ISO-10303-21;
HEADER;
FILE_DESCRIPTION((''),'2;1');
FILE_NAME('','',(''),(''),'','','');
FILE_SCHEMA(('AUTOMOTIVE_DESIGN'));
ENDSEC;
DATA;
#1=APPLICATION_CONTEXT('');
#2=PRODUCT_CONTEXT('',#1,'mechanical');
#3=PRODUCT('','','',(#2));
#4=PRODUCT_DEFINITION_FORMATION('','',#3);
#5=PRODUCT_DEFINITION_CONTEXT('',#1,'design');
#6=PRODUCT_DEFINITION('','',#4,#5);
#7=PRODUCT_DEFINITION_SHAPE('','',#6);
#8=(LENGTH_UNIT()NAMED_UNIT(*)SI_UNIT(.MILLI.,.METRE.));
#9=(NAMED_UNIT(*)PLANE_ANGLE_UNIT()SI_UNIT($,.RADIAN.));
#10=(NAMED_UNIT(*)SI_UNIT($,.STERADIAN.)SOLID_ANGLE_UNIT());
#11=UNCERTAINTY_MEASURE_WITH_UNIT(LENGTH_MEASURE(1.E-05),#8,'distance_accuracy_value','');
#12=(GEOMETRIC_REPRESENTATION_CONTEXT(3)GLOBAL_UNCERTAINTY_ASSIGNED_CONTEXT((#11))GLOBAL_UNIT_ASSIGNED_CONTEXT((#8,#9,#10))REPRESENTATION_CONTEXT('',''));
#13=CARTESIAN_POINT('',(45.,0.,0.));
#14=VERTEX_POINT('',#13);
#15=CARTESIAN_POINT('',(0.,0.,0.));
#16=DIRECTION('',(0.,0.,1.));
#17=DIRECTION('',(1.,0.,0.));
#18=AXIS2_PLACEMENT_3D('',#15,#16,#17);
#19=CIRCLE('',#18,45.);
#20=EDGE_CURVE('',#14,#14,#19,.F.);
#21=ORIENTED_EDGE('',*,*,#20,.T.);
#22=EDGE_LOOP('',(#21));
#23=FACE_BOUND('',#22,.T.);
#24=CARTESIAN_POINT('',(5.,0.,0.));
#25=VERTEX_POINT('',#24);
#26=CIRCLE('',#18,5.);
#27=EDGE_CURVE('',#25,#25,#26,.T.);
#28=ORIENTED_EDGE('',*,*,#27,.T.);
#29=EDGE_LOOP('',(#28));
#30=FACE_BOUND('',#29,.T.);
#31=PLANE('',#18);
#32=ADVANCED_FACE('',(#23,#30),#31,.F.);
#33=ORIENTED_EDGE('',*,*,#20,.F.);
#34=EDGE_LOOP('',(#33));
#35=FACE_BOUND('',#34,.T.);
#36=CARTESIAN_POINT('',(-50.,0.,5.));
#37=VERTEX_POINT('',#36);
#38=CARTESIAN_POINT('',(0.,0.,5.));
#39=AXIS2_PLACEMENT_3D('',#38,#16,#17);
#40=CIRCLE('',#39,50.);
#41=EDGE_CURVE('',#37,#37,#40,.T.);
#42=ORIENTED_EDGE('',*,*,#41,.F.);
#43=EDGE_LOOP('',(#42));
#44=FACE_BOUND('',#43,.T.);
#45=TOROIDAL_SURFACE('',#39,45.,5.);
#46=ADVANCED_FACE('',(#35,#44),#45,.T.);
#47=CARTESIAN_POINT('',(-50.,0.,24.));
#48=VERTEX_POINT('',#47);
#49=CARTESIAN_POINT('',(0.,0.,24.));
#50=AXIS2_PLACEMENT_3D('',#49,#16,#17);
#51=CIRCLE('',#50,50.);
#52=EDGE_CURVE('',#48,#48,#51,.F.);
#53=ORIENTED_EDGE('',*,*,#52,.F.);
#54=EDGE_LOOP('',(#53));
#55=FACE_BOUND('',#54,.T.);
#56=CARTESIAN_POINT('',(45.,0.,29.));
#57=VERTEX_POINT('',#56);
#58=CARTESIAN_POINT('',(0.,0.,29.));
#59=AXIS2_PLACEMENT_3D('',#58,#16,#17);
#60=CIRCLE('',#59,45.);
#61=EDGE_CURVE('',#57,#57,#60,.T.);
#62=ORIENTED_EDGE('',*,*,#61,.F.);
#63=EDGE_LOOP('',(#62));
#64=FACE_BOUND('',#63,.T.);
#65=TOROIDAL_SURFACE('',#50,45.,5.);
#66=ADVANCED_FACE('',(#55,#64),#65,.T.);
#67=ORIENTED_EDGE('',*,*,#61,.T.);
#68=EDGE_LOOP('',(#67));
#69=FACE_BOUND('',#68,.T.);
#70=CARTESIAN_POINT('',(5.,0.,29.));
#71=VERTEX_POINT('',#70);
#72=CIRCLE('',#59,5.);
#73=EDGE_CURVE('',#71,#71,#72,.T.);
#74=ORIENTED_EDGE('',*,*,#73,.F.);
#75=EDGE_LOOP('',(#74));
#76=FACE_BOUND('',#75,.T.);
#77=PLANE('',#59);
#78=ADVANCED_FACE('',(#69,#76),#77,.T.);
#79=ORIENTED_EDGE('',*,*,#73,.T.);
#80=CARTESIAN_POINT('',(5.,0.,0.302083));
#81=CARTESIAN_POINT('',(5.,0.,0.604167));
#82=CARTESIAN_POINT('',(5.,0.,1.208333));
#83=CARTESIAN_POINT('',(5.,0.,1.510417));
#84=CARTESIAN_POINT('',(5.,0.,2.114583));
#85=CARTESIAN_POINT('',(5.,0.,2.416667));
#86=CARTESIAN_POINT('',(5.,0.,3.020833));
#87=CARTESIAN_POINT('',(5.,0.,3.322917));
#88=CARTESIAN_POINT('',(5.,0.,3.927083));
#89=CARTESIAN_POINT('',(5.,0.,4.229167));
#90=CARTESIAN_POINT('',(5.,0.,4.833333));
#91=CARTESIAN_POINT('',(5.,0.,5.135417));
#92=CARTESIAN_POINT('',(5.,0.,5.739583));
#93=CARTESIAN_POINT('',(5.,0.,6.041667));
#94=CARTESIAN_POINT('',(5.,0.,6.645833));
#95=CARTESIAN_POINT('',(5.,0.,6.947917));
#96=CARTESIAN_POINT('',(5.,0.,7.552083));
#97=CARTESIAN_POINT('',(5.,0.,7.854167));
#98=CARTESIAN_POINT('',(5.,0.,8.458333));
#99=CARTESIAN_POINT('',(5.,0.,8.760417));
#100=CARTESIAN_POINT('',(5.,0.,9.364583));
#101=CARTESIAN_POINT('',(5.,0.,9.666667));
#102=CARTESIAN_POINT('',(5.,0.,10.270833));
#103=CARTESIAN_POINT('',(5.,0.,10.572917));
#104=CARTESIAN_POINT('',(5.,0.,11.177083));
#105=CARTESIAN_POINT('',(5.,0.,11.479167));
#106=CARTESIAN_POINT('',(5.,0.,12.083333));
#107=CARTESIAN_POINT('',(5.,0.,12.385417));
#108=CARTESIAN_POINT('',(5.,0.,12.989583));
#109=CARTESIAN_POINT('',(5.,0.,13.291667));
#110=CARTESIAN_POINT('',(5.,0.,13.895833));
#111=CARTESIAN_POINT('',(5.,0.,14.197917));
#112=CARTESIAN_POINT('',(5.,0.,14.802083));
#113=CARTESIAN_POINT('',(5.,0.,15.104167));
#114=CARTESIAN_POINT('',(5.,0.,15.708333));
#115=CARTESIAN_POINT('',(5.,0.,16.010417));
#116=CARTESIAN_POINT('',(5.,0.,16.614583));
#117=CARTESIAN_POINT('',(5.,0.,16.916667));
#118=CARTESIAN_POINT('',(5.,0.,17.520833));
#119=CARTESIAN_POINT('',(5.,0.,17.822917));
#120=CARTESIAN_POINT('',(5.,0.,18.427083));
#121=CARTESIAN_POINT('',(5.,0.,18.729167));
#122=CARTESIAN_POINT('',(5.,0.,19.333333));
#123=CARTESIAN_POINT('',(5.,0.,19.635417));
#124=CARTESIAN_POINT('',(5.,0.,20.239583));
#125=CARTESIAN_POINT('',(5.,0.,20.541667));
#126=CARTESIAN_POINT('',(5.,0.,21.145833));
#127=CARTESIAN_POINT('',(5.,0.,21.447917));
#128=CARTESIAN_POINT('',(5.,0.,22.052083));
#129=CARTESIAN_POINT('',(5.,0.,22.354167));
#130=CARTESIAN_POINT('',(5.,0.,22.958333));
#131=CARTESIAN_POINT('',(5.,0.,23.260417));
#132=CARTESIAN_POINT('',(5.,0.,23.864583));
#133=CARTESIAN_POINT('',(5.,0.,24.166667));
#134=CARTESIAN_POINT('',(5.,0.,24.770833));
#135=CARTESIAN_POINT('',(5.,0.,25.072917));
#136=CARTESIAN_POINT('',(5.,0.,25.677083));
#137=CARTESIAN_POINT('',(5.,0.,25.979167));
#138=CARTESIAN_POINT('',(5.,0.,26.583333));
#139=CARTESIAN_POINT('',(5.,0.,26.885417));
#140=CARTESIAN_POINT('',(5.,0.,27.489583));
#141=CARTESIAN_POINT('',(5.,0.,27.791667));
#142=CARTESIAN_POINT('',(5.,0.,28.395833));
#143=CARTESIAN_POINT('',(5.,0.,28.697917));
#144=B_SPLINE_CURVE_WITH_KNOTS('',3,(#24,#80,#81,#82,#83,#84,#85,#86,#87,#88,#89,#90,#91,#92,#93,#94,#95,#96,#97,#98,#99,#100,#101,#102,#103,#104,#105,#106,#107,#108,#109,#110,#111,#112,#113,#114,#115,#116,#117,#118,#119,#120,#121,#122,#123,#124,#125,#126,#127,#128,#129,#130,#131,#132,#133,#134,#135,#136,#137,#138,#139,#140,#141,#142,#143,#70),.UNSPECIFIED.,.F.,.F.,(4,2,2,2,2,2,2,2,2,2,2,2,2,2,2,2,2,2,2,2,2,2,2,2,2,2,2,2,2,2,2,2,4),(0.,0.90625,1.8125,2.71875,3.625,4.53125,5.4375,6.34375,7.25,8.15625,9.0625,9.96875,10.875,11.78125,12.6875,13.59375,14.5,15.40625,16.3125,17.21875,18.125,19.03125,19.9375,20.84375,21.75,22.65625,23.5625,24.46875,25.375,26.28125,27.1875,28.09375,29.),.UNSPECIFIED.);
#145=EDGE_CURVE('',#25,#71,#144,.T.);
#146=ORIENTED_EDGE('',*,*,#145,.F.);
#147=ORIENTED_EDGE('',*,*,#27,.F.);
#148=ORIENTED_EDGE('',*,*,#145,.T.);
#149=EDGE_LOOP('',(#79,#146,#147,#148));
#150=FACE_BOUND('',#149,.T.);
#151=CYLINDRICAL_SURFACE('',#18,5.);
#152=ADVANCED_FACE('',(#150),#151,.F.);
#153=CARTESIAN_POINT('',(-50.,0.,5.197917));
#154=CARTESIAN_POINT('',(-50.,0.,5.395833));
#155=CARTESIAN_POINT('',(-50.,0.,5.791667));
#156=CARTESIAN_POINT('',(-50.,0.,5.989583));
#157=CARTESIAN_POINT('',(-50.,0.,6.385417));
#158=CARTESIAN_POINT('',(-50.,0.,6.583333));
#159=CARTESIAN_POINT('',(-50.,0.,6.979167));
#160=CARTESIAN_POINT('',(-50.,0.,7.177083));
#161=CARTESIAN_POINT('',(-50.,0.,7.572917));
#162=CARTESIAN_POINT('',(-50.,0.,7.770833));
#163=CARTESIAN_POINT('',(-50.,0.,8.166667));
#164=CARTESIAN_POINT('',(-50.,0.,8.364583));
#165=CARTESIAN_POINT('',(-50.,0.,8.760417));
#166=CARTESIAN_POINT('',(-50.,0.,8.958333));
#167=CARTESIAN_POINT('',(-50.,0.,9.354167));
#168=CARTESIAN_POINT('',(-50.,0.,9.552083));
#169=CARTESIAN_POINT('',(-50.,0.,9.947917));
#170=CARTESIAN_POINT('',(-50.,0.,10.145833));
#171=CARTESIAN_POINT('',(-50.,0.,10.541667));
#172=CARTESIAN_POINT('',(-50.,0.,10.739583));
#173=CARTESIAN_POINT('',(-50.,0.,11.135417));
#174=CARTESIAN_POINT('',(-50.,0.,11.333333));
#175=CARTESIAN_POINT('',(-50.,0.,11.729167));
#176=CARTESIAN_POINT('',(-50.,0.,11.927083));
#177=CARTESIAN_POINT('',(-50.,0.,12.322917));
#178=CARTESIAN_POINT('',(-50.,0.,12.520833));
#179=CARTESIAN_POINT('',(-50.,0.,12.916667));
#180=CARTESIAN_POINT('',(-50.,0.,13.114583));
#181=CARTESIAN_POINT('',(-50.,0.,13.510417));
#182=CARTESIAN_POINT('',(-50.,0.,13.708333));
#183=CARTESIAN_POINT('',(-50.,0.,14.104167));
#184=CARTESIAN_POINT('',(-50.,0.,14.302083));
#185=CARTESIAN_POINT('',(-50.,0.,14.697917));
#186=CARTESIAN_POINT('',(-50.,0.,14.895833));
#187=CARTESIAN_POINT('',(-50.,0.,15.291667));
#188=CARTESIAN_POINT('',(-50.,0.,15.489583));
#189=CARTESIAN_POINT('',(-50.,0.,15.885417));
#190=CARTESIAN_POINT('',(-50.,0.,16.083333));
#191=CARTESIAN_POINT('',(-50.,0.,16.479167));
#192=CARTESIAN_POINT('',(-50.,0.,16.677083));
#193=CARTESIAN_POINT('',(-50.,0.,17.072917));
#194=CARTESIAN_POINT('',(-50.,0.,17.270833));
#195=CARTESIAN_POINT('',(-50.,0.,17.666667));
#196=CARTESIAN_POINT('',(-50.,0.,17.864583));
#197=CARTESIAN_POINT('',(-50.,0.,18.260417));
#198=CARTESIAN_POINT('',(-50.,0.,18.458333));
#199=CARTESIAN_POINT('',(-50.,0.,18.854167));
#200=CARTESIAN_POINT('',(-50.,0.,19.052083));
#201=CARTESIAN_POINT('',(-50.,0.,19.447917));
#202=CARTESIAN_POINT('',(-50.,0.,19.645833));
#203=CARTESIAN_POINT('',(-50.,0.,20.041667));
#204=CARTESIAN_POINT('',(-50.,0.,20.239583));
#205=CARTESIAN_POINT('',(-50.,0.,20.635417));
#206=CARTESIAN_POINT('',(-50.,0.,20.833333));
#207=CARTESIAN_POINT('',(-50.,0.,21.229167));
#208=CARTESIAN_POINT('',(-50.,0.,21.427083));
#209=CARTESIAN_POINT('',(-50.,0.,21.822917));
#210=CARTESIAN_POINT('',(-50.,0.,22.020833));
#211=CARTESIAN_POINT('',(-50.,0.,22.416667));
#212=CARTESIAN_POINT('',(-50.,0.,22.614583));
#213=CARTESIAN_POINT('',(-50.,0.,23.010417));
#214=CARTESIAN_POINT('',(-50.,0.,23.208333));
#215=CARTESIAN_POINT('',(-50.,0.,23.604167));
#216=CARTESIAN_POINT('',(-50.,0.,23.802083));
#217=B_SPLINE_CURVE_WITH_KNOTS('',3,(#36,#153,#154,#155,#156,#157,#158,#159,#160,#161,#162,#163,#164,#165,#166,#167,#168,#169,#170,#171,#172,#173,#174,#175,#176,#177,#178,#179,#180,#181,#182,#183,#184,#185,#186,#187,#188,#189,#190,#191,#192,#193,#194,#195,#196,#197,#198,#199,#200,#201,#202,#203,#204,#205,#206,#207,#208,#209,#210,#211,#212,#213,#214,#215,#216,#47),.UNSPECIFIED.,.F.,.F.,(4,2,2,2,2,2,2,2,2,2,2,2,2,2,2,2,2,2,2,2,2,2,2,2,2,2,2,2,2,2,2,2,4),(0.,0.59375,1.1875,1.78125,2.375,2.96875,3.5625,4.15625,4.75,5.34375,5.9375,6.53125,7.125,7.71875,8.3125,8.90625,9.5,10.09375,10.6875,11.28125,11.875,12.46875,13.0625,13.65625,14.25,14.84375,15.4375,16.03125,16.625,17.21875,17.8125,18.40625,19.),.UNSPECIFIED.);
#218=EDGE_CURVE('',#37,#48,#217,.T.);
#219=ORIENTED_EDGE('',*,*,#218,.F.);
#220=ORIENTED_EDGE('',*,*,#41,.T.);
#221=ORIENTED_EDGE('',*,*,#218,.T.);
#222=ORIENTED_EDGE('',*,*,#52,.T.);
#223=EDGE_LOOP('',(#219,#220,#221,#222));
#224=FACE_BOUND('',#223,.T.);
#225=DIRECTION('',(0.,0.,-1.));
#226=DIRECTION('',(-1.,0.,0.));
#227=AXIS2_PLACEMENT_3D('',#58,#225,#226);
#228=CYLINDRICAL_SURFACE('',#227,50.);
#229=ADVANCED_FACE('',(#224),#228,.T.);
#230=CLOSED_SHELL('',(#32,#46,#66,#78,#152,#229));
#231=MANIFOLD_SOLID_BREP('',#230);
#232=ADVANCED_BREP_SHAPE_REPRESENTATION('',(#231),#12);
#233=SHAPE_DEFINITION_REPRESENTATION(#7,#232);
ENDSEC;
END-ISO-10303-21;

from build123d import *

# Parameters (mm, degrees)
SKETCH_1_R          = 50
EXTRUDE_1_DEPTH     = 29
SKETCH_2_R          = 5
CUT_EXTRUDE_1_DEPTH = 77.426435217
FILLET_1_R          = 5


with BuildPart() as part:
    # 草图1 → 凸台-拉伸1 (new body)
    with BuildSketch(Plane.XY):
        with Locations(Location((0, 0, 0), (0, 0, 180))):
            Circle(SKETCH_1_R)
    extrude(amount=EXTRUDE_1_DEPTH)

    # 草图2 → 切除-拉伸1 (cut, through all)
    with BuildSketch(Plane.XY.offset(29)):
        Circle(SKETCH_2_R)
    extrude(amount=-CUT_EXTRUDE_1_DEPTH, mode=Mode.SUBTRACT)

    # 圆角1
    fillet_1_edges = [part.edges().sort_by_distance(p)[0] for p in [
        (50, 0, 0),
        (50, 0, 29),
    ]]
    fillet(fillet_1_edges, radius=FILLET_1_R)


solid = part.part
